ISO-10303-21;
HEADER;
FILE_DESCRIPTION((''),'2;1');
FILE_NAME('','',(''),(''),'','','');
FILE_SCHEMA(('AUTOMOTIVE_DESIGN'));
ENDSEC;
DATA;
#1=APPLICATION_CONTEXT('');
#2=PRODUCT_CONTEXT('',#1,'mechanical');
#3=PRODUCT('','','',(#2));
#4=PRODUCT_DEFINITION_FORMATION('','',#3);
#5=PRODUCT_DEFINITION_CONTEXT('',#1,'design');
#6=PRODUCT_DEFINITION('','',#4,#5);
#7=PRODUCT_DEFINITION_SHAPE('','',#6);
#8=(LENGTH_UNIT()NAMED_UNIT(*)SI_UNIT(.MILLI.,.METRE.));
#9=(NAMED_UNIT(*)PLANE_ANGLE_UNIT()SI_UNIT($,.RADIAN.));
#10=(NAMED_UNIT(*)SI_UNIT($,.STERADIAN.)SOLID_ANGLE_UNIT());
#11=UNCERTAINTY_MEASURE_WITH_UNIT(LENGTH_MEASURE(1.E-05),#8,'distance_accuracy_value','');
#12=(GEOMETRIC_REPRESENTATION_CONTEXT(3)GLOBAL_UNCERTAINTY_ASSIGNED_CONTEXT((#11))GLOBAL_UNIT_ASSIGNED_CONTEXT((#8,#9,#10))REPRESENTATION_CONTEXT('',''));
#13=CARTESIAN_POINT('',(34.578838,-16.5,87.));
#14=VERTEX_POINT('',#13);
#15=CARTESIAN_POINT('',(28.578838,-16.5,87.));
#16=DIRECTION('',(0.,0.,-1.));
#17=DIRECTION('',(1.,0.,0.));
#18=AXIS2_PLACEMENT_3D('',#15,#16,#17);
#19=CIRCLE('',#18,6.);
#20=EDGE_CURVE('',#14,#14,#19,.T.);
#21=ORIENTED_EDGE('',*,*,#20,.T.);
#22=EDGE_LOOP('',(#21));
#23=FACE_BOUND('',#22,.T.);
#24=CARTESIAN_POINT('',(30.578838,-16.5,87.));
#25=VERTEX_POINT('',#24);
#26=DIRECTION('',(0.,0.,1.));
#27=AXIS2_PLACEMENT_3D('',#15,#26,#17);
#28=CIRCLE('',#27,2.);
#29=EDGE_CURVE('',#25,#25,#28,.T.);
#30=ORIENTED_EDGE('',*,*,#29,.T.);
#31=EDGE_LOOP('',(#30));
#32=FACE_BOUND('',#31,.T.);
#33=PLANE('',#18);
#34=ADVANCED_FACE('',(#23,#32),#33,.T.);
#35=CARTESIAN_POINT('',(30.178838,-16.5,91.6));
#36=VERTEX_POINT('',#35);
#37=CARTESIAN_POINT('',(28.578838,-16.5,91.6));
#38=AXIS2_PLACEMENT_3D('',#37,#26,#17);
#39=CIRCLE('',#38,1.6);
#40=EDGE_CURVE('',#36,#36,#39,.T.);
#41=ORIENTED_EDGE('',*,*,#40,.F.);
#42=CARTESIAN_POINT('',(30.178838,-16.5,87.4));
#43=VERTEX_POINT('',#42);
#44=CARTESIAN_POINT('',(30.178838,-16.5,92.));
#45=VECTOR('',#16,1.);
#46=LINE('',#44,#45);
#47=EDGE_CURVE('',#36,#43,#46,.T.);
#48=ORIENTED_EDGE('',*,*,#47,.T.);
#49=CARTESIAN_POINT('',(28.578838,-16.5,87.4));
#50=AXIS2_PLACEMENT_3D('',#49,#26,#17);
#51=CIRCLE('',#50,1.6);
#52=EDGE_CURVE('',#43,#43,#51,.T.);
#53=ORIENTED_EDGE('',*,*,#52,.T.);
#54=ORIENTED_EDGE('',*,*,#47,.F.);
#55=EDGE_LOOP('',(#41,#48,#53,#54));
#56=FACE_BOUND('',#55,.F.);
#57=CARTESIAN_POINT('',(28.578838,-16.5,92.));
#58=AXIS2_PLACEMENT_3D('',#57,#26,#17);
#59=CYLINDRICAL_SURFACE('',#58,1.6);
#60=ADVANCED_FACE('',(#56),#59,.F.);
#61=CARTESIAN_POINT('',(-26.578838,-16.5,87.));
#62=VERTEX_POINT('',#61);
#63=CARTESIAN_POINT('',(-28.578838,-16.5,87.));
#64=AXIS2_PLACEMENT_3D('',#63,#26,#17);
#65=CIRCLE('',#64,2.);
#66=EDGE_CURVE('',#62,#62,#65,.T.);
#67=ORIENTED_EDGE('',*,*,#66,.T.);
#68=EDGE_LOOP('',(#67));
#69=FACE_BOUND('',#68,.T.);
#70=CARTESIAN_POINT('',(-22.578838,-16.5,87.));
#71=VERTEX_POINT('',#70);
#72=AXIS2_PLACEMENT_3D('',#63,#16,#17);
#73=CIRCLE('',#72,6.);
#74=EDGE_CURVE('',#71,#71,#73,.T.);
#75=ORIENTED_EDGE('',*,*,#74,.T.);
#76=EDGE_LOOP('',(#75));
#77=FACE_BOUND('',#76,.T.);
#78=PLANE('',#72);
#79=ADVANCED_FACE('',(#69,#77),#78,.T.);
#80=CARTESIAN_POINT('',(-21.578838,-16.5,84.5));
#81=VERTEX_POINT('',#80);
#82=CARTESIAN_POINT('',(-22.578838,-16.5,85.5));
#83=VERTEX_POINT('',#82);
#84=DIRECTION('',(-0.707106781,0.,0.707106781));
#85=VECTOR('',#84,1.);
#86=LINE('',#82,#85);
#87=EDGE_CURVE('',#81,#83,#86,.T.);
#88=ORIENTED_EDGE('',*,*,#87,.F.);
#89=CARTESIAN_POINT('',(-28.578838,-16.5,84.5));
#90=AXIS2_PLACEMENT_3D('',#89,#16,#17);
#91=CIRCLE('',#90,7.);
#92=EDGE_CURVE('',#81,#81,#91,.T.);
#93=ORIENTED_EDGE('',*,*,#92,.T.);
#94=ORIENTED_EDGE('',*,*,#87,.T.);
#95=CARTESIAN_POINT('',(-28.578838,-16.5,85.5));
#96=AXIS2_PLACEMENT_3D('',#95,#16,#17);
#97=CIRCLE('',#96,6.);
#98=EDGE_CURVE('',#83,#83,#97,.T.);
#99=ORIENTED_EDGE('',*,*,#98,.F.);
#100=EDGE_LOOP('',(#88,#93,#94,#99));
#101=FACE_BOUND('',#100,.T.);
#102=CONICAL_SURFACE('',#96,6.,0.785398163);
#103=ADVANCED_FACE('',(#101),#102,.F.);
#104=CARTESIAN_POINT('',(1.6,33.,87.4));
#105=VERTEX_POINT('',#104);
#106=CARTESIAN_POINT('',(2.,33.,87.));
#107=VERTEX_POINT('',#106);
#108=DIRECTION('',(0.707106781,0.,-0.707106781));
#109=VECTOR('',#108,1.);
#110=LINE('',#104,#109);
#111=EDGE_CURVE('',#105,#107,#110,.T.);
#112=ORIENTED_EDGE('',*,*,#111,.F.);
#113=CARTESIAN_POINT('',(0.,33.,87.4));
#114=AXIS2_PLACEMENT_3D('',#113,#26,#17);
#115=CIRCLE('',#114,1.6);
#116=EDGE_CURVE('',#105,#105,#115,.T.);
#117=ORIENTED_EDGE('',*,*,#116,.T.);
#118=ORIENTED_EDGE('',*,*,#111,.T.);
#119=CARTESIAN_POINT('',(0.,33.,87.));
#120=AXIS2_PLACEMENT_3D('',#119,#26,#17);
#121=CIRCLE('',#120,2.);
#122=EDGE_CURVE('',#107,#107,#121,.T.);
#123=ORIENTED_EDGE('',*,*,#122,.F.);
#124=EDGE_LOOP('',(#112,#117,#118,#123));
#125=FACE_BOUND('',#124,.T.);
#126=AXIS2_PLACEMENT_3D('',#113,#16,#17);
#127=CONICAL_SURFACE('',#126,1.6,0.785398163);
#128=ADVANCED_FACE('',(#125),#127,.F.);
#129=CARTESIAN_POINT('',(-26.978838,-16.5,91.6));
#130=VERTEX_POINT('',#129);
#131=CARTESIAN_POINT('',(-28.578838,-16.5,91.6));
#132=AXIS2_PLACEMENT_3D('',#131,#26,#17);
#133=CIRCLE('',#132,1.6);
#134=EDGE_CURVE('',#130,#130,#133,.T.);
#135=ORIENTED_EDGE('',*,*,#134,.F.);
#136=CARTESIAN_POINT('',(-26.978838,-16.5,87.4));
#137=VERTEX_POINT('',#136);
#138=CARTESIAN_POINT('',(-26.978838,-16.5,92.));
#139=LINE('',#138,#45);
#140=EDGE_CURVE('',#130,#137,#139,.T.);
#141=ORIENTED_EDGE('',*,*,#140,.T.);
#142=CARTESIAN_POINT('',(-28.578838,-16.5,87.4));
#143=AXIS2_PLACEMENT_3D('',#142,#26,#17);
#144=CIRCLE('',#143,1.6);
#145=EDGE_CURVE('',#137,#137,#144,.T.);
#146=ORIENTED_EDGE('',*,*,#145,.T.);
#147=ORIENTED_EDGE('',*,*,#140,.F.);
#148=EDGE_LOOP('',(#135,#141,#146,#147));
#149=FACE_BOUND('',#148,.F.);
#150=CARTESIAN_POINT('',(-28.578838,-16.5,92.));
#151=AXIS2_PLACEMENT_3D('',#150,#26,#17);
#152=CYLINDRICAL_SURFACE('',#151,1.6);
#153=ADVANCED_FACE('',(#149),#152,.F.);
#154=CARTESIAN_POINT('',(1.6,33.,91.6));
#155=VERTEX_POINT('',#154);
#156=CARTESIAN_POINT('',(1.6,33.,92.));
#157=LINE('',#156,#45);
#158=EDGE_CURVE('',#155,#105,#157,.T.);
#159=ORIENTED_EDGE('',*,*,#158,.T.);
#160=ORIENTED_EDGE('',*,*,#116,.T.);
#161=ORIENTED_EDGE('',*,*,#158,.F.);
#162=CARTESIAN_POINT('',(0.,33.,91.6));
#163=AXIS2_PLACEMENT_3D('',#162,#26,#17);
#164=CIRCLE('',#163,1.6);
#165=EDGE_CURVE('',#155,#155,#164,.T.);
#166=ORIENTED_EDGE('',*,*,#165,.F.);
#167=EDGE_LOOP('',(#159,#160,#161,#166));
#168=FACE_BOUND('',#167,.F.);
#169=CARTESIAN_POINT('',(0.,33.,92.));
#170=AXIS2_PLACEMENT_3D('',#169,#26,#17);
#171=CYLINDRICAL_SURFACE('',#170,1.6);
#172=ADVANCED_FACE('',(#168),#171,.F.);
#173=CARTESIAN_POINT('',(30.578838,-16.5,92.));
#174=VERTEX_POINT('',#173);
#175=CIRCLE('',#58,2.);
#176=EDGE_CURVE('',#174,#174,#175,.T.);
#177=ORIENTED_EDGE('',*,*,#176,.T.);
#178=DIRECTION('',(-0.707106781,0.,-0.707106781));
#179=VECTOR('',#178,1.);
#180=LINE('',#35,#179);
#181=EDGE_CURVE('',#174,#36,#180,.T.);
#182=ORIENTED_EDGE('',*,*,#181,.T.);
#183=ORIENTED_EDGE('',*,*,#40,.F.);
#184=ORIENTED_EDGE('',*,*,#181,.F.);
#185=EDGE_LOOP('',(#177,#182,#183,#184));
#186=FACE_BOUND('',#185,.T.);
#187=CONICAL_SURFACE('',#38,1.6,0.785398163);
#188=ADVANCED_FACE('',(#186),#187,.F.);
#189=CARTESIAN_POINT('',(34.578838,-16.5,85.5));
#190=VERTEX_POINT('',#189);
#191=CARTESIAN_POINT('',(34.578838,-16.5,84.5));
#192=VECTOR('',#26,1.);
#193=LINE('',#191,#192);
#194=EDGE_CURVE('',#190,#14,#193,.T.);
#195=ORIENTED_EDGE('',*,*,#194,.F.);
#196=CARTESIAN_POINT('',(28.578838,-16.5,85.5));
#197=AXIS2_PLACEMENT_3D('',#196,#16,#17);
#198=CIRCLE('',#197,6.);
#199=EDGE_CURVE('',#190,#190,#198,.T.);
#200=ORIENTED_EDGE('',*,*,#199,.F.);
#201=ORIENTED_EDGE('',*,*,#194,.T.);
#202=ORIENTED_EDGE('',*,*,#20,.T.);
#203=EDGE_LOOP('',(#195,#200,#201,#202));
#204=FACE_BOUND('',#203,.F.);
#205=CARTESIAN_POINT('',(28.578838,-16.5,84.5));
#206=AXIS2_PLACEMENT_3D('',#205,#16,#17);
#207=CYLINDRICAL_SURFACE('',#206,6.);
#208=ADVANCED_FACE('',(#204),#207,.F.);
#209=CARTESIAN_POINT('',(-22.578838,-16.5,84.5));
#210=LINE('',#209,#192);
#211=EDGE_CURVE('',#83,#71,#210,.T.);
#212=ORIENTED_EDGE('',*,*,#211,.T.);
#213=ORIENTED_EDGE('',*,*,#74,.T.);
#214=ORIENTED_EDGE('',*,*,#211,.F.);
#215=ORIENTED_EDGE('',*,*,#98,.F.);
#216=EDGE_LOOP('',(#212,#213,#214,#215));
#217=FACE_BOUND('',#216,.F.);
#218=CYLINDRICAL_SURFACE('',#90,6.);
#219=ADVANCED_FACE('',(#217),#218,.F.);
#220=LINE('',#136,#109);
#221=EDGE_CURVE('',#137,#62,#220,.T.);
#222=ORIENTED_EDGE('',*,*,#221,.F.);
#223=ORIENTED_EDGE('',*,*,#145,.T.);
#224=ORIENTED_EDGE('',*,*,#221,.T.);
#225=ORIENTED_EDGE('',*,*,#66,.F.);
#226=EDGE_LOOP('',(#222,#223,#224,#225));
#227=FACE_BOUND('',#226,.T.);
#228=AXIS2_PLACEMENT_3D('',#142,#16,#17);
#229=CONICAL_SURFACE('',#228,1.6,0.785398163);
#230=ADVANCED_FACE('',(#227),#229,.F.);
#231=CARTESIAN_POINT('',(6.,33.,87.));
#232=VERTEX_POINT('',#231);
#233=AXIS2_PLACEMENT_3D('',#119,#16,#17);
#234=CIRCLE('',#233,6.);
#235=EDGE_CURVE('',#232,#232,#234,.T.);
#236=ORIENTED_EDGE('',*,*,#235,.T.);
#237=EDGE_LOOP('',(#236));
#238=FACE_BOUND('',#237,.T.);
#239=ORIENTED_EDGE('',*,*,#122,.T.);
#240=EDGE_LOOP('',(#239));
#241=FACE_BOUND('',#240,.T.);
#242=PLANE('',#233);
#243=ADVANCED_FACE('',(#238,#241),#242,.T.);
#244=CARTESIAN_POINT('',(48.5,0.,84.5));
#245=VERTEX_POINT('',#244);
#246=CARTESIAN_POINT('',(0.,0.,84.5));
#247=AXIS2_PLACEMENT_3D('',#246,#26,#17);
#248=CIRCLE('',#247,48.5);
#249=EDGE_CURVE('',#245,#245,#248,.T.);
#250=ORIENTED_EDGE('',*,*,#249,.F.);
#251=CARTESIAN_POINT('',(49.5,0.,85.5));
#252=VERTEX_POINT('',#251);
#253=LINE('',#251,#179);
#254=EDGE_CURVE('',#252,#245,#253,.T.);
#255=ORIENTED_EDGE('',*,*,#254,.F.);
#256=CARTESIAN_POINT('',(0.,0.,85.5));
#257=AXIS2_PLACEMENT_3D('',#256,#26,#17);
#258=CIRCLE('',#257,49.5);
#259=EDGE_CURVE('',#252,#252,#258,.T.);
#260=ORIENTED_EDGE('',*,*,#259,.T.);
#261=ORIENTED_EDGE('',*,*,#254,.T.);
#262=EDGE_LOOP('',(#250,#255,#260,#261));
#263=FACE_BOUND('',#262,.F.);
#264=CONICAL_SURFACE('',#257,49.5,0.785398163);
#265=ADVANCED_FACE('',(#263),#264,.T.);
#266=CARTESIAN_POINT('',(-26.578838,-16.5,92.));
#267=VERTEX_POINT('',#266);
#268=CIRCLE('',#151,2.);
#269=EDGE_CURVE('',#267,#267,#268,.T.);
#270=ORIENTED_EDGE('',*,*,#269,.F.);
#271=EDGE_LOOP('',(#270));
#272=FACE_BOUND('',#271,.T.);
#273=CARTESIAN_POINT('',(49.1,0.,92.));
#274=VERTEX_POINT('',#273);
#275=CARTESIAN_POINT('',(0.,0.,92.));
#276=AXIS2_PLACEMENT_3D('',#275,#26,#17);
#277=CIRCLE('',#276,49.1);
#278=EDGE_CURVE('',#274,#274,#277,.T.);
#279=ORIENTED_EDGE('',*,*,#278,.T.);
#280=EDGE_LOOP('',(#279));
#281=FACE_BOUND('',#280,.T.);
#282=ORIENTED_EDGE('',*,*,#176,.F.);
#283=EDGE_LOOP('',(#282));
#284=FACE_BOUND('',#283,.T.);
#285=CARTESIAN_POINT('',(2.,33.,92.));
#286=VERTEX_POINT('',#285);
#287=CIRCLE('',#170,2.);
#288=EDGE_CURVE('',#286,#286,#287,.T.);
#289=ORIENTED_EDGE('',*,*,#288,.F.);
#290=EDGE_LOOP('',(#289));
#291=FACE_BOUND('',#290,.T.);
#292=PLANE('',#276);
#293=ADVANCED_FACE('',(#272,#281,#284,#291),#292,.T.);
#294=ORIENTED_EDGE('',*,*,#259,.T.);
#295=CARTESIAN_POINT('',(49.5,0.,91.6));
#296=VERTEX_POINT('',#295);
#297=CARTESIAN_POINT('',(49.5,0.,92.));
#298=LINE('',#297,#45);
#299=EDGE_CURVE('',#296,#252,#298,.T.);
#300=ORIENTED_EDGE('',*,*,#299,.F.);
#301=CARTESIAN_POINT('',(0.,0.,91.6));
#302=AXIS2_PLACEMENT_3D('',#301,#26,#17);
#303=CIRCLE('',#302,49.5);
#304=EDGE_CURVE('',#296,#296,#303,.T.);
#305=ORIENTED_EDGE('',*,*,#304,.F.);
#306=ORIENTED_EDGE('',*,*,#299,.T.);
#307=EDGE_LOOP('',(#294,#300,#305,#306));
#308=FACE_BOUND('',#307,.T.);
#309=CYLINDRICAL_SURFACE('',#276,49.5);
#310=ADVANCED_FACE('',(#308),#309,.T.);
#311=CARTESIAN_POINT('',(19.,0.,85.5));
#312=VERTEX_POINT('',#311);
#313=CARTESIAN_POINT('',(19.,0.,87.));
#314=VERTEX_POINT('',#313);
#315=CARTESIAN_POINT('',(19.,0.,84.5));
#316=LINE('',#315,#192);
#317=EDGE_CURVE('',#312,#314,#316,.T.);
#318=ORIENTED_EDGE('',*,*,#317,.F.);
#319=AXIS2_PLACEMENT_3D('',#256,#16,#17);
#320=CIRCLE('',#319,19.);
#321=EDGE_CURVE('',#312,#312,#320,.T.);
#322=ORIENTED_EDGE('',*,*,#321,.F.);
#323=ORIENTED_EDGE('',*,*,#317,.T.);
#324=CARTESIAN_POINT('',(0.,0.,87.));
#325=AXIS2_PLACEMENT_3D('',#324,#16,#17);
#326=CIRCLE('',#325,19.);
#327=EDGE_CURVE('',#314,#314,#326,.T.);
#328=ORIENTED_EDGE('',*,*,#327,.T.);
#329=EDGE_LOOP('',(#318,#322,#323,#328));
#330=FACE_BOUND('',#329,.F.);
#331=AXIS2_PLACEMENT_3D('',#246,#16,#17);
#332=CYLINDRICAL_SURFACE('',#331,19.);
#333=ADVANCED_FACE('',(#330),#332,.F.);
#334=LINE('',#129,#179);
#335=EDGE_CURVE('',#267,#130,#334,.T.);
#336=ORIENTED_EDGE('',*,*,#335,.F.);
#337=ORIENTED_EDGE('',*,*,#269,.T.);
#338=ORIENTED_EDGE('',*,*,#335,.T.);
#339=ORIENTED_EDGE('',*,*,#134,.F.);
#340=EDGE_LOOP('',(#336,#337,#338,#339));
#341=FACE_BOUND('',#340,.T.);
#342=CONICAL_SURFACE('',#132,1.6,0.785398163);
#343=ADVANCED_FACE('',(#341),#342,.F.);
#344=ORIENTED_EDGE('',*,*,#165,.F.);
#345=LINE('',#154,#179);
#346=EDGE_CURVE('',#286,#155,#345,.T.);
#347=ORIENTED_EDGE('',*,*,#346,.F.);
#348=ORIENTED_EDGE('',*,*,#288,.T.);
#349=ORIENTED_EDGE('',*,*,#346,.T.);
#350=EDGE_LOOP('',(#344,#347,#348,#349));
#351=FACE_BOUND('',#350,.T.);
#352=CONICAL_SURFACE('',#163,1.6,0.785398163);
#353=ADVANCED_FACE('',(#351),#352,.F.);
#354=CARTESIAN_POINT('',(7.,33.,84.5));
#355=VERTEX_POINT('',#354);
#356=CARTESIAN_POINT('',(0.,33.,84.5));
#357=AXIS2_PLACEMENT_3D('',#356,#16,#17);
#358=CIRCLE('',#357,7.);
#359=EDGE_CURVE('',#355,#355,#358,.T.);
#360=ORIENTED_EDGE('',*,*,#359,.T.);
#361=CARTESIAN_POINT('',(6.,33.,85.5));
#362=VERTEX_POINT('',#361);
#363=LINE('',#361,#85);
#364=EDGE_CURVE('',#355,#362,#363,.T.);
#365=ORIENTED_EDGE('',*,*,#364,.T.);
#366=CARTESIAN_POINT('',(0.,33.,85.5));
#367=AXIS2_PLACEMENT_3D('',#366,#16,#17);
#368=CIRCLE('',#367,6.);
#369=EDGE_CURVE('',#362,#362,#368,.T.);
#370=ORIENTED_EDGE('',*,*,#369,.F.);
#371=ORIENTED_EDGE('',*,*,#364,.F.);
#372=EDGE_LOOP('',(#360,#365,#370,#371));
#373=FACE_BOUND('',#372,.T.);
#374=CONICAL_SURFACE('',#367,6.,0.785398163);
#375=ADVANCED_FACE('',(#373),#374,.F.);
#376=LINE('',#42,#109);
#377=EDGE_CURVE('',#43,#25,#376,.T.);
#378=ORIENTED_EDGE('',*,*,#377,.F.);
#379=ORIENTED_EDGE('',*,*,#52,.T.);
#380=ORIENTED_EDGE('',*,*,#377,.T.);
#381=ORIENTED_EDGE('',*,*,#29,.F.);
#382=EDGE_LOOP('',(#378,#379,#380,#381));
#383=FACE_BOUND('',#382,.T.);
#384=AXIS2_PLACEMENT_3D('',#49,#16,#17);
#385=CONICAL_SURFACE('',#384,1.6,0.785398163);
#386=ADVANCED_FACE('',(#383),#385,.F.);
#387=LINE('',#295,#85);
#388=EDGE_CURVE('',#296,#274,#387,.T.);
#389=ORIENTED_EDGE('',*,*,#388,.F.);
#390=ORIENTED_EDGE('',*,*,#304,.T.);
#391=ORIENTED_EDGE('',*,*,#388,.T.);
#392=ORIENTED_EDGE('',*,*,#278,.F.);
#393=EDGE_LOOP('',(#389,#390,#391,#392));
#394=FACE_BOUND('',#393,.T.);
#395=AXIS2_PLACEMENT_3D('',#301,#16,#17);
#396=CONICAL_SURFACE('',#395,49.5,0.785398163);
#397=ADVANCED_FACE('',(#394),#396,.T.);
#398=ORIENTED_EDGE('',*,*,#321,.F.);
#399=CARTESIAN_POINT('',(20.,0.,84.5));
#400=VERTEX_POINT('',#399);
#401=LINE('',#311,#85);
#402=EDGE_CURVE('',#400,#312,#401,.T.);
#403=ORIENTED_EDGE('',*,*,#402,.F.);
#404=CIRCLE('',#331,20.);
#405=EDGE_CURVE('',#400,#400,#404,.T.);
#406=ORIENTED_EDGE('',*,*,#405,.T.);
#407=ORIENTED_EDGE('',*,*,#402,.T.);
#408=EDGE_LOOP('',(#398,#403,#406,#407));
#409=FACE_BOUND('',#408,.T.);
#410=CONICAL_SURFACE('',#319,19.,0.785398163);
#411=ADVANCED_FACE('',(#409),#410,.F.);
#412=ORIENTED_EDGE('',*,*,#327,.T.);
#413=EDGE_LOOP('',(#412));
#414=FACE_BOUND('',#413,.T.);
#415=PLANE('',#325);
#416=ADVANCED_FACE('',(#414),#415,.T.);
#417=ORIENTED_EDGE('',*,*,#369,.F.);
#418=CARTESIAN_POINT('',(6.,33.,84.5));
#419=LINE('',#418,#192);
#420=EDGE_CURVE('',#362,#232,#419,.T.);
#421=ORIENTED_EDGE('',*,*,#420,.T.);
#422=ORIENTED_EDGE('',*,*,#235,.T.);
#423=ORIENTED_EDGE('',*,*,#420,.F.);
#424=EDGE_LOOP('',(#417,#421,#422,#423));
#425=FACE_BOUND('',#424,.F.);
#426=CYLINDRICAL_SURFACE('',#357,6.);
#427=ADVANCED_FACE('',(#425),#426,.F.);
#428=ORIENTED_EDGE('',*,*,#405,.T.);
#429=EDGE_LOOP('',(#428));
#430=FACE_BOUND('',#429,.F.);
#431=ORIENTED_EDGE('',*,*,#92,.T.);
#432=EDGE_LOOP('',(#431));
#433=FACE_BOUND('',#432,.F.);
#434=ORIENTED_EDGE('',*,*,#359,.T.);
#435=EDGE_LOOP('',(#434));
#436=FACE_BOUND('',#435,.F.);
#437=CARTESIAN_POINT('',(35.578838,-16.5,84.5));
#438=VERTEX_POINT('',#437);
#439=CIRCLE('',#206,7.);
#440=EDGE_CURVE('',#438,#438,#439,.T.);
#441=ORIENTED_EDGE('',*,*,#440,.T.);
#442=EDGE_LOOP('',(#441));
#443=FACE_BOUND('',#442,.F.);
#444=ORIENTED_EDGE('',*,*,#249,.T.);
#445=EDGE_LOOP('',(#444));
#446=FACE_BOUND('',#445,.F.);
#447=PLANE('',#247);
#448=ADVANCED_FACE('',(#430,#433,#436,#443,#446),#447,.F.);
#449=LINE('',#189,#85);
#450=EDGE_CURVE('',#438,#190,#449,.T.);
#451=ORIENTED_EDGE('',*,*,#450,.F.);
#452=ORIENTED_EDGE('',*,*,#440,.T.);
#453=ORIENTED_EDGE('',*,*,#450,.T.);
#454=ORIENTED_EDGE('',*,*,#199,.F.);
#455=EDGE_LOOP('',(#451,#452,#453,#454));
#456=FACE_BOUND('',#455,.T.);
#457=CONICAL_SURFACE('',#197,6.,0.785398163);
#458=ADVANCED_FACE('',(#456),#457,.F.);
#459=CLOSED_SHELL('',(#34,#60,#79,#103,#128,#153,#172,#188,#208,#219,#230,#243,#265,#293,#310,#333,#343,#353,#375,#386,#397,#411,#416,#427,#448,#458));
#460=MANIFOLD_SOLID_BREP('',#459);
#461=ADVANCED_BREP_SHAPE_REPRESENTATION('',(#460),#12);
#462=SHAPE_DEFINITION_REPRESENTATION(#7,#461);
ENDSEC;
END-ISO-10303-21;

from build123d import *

# Parameters (mm, degrees)
SKETCH075_R     = 49.5
SKETCH075_R_2   = 1.6
PAD039_DEPTH    = 7.5
SKETCH076_R     = 19
SKETCH076_R_2   = 6
POCKET036_DEPTH = 2.5
CHAMFER012_SIZE = 1
CHAMFER013_SIZE = 0.4


with BuildPart() as part:
    # Sketch075 → Pad039 (new body)
    with BuildSketch(Plane.XY):
        Circle(SKETCH075_R)
        with Locations((0, 33)):
            Circle(SKETCH075_R_2, mode=Mode.SUBTRACT)
        with Locations((28.578838, -16.5)):
            Circle(SKETCH075_R_2, mode=Mode.SUBTRACT)
        with Locations((-28.578838, -16.5)):
            Circle(SKETCH075_R_2, mode=Mode.SUBTRACT)
    extrude(amount=-PAD039_DEPTH)

    # Sketch076 (on Face6 of Pad039) → Pocket036 (cut)
    with BuildSketch(Plane(origin=(0, 0, -7.5), x_dir=(1, 0, 0), z_dir=(0, 0, -1))):
        Circle(SKETCH076_R)
        with Locations((28.578838, 16.5)):
            Circle(SKETCH076_R_2)
        with Locations((0, -33)):
            Circle(SKETCH076_R_2)
        with Locations((-28.578838, 16.5)):
            Circle(SKETCH076_R_2)
    extrude(amount=-POCKET036_DEPTH, mode=Mode.SUBTRACT)

    # Chamfer012
    chamfer012_edges = [part.edges().sort_by_distance(p)[0] for p in [
        (-19, 0, -7.5),
        (22.578838, -16.5, -7.5),
        (-34.578838, -16.5, -7.5),
        (-6, 33, -7.5),
        (-49.5, 0, -7.5),
    ]]
    chamfer(chamfer012_edges, length=CHAMFER012_SIZE)

    # Chamfer013
    chamfer013_edges = [part.edges().sort_by_distance(p)[0] for p in [
        (26.978838, -16.5, -5),
        (-1.6, 33, -5),
        (-1.6, 33, 0),
        (26.978838, -16.5, 0),
        (-30.178838, -16.5, -5),
        (-30.178838, -16.5, 0),
        (-49.5, 0, 0),
    ]]
    chamfer(chamfer013_edges, length=CHAMFER013_SIZE)


with BuildPart() as part_1:
    # Body033 placement: moved
    add(part.part.moved(Location((0, 0, 92))))


solid = part_1.part
